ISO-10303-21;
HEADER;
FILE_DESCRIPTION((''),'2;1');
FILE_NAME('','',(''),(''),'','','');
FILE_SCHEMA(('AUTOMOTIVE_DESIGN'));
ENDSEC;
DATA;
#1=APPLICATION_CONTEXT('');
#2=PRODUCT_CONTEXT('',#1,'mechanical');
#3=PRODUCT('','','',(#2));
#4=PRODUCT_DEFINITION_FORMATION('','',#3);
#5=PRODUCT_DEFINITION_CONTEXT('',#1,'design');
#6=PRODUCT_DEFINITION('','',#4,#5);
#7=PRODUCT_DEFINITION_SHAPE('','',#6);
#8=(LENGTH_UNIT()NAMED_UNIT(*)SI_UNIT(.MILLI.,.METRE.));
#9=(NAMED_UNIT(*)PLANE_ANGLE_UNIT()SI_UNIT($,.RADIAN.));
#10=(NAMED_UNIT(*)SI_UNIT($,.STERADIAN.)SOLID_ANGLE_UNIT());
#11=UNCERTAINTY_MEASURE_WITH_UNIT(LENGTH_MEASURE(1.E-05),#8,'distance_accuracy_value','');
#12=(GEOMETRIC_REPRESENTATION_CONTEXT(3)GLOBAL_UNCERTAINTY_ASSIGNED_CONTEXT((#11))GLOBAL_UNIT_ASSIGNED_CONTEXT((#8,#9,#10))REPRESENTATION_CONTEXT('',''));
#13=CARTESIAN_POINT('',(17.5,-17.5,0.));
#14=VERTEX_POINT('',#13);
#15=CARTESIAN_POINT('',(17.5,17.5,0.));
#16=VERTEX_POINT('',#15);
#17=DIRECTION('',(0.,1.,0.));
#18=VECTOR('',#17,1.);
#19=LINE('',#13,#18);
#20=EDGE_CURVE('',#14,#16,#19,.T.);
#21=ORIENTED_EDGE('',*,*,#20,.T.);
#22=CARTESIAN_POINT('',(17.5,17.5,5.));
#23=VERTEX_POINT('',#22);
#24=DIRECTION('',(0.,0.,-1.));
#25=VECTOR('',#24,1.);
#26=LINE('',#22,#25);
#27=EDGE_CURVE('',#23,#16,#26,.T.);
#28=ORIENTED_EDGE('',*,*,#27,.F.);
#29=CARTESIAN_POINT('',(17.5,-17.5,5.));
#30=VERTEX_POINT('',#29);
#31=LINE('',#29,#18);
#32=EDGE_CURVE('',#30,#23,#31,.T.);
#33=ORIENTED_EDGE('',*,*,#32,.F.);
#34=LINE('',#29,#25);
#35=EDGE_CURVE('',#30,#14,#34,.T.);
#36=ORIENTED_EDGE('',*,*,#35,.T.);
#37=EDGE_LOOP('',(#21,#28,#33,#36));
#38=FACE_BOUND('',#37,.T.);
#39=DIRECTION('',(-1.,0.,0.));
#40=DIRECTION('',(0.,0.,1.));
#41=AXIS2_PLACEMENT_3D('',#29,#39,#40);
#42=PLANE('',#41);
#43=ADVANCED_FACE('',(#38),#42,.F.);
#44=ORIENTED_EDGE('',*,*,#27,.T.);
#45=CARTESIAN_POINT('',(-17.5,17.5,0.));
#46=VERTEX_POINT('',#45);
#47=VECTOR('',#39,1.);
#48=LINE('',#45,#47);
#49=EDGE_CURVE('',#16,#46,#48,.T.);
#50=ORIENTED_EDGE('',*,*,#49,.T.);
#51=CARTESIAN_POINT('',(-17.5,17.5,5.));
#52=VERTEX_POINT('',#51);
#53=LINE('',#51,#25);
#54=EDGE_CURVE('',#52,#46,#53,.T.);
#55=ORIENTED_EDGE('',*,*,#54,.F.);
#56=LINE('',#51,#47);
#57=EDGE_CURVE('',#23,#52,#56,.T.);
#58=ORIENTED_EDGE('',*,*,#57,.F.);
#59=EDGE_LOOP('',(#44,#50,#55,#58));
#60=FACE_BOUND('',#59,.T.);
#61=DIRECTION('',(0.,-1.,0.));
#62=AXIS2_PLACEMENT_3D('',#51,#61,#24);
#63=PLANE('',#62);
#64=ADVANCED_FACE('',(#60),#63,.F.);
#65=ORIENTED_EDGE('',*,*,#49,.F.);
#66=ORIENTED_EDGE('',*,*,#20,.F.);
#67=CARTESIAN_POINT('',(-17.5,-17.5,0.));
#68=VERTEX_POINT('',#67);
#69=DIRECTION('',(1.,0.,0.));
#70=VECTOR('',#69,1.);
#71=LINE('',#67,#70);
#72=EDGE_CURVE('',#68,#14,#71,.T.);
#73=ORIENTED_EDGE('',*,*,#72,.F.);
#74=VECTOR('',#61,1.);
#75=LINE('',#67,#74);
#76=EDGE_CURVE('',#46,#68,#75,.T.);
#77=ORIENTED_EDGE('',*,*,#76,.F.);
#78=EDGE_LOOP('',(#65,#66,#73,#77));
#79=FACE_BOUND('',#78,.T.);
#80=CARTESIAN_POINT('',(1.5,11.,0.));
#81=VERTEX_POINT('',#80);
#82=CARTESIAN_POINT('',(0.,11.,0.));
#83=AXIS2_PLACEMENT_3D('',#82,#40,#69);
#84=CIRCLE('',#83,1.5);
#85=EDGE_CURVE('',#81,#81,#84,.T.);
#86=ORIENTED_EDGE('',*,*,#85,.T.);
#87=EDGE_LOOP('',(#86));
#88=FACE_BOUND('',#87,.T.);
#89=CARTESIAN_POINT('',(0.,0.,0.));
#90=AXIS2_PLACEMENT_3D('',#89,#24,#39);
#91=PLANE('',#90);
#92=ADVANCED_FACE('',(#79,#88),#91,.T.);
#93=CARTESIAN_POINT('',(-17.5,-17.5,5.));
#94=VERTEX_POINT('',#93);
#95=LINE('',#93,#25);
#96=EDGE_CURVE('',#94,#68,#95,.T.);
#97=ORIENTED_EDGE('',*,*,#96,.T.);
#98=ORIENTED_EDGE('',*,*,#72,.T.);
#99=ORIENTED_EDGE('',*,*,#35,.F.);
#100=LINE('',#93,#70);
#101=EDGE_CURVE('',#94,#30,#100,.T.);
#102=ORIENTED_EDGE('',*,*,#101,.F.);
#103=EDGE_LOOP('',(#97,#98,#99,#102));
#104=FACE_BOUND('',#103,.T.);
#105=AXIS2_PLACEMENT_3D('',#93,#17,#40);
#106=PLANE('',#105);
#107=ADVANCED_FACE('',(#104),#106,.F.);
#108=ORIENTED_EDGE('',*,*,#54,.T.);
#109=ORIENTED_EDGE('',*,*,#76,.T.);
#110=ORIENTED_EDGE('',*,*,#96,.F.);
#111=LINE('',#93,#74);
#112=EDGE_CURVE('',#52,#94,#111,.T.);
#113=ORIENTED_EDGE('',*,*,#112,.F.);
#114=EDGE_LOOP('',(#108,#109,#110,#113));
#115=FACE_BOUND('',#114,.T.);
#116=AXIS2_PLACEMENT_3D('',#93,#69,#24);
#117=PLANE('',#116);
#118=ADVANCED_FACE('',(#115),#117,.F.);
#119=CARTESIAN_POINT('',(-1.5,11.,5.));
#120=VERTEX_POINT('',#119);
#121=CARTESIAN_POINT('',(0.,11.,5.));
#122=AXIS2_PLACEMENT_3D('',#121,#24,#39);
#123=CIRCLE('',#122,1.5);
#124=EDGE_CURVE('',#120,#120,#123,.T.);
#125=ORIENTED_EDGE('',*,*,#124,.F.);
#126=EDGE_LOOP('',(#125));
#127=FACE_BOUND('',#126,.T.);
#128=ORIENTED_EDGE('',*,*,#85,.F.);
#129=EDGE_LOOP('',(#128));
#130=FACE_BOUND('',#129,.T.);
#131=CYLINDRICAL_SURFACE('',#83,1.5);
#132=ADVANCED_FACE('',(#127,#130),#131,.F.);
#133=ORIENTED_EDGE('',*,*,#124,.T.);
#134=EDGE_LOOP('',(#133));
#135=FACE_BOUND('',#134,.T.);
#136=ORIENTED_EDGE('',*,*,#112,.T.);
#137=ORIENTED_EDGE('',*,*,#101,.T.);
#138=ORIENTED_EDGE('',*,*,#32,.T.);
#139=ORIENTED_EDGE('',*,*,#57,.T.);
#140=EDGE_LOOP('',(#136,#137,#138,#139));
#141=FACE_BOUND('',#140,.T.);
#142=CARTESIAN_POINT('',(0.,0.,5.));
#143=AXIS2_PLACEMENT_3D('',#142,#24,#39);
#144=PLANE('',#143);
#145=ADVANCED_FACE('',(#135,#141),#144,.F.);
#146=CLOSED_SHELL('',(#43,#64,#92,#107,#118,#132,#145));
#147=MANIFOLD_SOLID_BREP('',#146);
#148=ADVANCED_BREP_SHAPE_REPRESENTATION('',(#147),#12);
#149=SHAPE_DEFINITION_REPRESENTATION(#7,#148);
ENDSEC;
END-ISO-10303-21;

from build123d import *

# Parameters (mm, degrees)
SKETCH2_W               = 35
SKETCH2_H               = 35
BOSS_EXTRUDE1_DEPTH     = 5
CUT_EXTRUDE1_DEPTH      = 26.248762346
CUT_EXTRUDE1_DEPTH_BACK = 26.248762346
SKETCH3_R               = 1.5


with BuildPart() as part:
    # Sketch2 → Boss-Extrude1 (new body)
    with BuildSketch(Plane.XY):
        Rectangle(SKETCH2_W, SKETCH2_H)
    extrude(amount=BOSS_EXTRUDE1_DEPTH)

    # Sketch3 → Cut-Extrude1 (cut, two sides: drawn at the far end of the back side and taken through both)
    with BuildSketch(Plane.XY.offset(5).offset(-CUT_EXTRUDE1_DEPTH_BACK)):
        with Locations((0, 11)):
            Circle(SKETCH3_R)
    extrude(amount=CUT_EXTRUDE1_DEPTH + CUT_EXTRUDE1_DEPTH_BACK, mode=Mode.SUBTRACT)


solid = part.part
